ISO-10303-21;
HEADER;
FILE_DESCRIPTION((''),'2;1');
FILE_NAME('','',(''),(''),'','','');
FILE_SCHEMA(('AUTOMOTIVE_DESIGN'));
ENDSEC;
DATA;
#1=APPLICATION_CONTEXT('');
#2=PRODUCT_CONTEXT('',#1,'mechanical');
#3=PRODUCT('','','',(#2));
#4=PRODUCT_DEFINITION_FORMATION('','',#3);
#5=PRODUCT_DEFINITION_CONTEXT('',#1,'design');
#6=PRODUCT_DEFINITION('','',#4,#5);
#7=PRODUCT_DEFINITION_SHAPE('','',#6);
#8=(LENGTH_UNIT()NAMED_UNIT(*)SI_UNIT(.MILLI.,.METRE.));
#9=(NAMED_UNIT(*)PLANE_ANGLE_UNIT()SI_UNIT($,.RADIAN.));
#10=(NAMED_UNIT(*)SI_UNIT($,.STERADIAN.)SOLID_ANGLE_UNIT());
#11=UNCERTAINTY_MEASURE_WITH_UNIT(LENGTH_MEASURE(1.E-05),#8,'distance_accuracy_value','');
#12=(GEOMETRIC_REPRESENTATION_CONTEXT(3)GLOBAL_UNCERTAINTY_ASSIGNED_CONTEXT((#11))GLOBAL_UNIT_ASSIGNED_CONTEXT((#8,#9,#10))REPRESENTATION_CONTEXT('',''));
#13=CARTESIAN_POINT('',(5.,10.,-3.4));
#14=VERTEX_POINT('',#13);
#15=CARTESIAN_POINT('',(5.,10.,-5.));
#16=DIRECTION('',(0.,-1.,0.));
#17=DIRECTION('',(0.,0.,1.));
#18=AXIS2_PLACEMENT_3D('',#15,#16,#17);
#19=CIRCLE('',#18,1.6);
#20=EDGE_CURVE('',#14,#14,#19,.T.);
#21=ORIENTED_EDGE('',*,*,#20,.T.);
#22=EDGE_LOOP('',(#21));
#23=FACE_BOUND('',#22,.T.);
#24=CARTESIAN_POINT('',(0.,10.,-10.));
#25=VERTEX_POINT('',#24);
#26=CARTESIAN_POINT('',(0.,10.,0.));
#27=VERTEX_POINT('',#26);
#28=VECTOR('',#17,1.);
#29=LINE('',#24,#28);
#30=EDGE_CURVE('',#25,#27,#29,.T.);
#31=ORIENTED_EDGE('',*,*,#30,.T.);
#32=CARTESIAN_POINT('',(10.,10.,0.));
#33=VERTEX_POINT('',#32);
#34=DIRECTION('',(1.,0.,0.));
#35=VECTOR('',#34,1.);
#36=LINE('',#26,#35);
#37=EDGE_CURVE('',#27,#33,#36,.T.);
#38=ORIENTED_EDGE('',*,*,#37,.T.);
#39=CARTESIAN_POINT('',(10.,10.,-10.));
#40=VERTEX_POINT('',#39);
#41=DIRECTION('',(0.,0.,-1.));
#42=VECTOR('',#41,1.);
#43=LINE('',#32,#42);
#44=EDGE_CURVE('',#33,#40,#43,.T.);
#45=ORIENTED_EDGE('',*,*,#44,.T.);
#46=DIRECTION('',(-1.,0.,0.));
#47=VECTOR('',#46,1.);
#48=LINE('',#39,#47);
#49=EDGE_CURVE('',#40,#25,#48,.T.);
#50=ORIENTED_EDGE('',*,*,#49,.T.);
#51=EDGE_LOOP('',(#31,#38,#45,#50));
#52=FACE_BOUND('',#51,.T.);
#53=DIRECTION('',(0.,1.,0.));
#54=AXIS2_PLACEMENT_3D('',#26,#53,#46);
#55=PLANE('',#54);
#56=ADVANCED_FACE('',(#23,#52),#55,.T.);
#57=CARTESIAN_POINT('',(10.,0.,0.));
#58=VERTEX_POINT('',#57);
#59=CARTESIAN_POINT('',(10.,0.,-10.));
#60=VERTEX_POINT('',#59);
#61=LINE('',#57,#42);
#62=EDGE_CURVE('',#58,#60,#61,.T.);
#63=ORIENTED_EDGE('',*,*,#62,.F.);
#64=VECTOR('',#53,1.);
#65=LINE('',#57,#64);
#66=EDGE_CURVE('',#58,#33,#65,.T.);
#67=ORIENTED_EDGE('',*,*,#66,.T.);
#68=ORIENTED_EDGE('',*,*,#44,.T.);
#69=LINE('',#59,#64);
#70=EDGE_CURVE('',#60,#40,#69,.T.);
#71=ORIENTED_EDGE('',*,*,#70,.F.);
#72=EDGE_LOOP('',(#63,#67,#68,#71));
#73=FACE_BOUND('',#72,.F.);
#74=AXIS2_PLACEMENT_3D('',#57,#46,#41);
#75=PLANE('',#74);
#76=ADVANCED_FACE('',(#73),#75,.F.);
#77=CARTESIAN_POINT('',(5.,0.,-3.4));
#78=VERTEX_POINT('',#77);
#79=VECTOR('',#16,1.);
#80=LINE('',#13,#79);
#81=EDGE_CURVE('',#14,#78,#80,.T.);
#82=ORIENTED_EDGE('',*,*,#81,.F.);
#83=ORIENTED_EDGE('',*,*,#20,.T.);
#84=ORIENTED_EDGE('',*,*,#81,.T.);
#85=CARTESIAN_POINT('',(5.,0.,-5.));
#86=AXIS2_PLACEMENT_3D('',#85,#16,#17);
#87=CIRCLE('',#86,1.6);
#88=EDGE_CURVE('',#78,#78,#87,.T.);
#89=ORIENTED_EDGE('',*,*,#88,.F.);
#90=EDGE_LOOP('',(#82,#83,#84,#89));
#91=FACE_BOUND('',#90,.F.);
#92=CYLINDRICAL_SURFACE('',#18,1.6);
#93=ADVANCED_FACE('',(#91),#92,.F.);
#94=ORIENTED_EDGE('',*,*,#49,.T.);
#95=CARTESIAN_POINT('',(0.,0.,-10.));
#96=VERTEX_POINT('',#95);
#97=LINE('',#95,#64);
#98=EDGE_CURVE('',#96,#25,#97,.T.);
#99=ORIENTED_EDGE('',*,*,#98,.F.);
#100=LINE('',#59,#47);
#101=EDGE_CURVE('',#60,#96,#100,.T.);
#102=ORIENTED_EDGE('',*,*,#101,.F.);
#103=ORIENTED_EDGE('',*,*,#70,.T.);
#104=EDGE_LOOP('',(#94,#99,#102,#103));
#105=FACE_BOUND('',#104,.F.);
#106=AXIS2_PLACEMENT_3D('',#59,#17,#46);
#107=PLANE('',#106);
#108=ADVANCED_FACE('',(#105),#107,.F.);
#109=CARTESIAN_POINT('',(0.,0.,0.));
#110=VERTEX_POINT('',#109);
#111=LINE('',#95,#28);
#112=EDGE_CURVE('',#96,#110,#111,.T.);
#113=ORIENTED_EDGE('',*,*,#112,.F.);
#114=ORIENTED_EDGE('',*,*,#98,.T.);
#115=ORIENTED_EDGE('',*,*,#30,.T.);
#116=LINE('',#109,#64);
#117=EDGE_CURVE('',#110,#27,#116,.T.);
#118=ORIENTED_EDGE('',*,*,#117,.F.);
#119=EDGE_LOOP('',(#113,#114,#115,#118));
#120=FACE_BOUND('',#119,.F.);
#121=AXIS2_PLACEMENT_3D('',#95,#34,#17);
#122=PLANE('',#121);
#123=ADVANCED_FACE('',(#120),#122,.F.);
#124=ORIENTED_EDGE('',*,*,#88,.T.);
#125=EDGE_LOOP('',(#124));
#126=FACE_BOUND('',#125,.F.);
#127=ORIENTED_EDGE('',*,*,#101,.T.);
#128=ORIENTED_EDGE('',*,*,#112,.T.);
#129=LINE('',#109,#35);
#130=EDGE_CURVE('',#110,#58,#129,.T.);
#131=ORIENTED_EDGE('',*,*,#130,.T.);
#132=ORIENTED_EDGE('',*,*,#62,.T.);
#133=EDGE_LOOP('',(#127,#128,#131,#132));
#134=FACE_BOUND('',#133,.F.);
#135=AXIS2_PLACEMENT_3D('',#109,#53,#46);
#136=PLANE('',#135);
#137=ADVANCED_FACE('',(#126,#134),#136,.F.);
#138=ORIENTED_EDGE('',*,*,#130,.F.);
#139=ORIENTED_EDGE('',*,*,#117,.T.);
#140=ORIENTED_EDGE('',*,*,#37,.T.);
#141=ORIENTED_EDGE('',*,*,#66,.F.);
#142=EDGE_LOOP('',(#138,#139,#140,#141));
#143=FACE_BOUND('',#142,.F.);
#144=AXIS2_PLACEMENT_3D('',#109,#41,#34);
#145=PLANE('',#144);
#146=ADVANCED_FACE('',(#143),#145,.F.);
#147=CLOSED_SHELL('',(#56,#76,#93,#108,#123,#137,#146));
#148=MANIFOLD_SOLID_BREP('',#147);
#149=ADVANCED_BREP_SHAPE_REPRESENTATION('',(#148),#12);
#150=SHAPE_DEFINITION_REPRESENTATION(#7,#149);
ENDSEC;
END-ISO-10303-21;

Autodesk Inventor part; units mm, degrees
ref_plane "YZ Plane" through (0, 0, 0) normal (1, 0, 0) x (0, 1, 0)
ref_plane "XZ Plane" through (0, 0, 0) normal (0, 1, 0) x (-1, 0, 0)
ref_plane "XY Plane" through (0, 0, 0) normal (0, 0, 1) x (1, 0, 0)
sketch "Sketch1" plane through (0, 0, 0) normal (0, 1, 0) x (-1, 0, 0)
  line L0 (0, 0) -> (-10, 0)
  line L1 (-10, 0) -> (-10, -10)
  line L2 (-10, -10) -> (0, -10)
  line L3 (0, -10) -> (0, 0)
  dimension "d0" = 10
  dimension "d1" = 10
extrude "Extrusion1" add sketch "Sketch1" along normal blind 10
sketch "Sketch2" plane through (0, 10, 0) normal (0, 1, 0) x (1, 0, 0)
  line L0 (0, 10) -> (0, 0) projected
  line L1 (10, 0) -> (10, 10) projected
  line L2 (0, 0) -> (10, 10)
  line L3 (10, 10) -> (0, 10) projected
  line L4 (10, 0) -> (0, 10)
  line L5 (5, 5) -> (7.1771, 5)
sketch "Sketch3" plane through (0, 10, 0) normal (0, 1, 0) x (1, 0, 0)
  point P0 (0, 0)
hole "Hole1" at (5, 10, -5) direction (0, -1, 0) diameter 3.2 end through all
properties part number "distanziale cella di carico"
